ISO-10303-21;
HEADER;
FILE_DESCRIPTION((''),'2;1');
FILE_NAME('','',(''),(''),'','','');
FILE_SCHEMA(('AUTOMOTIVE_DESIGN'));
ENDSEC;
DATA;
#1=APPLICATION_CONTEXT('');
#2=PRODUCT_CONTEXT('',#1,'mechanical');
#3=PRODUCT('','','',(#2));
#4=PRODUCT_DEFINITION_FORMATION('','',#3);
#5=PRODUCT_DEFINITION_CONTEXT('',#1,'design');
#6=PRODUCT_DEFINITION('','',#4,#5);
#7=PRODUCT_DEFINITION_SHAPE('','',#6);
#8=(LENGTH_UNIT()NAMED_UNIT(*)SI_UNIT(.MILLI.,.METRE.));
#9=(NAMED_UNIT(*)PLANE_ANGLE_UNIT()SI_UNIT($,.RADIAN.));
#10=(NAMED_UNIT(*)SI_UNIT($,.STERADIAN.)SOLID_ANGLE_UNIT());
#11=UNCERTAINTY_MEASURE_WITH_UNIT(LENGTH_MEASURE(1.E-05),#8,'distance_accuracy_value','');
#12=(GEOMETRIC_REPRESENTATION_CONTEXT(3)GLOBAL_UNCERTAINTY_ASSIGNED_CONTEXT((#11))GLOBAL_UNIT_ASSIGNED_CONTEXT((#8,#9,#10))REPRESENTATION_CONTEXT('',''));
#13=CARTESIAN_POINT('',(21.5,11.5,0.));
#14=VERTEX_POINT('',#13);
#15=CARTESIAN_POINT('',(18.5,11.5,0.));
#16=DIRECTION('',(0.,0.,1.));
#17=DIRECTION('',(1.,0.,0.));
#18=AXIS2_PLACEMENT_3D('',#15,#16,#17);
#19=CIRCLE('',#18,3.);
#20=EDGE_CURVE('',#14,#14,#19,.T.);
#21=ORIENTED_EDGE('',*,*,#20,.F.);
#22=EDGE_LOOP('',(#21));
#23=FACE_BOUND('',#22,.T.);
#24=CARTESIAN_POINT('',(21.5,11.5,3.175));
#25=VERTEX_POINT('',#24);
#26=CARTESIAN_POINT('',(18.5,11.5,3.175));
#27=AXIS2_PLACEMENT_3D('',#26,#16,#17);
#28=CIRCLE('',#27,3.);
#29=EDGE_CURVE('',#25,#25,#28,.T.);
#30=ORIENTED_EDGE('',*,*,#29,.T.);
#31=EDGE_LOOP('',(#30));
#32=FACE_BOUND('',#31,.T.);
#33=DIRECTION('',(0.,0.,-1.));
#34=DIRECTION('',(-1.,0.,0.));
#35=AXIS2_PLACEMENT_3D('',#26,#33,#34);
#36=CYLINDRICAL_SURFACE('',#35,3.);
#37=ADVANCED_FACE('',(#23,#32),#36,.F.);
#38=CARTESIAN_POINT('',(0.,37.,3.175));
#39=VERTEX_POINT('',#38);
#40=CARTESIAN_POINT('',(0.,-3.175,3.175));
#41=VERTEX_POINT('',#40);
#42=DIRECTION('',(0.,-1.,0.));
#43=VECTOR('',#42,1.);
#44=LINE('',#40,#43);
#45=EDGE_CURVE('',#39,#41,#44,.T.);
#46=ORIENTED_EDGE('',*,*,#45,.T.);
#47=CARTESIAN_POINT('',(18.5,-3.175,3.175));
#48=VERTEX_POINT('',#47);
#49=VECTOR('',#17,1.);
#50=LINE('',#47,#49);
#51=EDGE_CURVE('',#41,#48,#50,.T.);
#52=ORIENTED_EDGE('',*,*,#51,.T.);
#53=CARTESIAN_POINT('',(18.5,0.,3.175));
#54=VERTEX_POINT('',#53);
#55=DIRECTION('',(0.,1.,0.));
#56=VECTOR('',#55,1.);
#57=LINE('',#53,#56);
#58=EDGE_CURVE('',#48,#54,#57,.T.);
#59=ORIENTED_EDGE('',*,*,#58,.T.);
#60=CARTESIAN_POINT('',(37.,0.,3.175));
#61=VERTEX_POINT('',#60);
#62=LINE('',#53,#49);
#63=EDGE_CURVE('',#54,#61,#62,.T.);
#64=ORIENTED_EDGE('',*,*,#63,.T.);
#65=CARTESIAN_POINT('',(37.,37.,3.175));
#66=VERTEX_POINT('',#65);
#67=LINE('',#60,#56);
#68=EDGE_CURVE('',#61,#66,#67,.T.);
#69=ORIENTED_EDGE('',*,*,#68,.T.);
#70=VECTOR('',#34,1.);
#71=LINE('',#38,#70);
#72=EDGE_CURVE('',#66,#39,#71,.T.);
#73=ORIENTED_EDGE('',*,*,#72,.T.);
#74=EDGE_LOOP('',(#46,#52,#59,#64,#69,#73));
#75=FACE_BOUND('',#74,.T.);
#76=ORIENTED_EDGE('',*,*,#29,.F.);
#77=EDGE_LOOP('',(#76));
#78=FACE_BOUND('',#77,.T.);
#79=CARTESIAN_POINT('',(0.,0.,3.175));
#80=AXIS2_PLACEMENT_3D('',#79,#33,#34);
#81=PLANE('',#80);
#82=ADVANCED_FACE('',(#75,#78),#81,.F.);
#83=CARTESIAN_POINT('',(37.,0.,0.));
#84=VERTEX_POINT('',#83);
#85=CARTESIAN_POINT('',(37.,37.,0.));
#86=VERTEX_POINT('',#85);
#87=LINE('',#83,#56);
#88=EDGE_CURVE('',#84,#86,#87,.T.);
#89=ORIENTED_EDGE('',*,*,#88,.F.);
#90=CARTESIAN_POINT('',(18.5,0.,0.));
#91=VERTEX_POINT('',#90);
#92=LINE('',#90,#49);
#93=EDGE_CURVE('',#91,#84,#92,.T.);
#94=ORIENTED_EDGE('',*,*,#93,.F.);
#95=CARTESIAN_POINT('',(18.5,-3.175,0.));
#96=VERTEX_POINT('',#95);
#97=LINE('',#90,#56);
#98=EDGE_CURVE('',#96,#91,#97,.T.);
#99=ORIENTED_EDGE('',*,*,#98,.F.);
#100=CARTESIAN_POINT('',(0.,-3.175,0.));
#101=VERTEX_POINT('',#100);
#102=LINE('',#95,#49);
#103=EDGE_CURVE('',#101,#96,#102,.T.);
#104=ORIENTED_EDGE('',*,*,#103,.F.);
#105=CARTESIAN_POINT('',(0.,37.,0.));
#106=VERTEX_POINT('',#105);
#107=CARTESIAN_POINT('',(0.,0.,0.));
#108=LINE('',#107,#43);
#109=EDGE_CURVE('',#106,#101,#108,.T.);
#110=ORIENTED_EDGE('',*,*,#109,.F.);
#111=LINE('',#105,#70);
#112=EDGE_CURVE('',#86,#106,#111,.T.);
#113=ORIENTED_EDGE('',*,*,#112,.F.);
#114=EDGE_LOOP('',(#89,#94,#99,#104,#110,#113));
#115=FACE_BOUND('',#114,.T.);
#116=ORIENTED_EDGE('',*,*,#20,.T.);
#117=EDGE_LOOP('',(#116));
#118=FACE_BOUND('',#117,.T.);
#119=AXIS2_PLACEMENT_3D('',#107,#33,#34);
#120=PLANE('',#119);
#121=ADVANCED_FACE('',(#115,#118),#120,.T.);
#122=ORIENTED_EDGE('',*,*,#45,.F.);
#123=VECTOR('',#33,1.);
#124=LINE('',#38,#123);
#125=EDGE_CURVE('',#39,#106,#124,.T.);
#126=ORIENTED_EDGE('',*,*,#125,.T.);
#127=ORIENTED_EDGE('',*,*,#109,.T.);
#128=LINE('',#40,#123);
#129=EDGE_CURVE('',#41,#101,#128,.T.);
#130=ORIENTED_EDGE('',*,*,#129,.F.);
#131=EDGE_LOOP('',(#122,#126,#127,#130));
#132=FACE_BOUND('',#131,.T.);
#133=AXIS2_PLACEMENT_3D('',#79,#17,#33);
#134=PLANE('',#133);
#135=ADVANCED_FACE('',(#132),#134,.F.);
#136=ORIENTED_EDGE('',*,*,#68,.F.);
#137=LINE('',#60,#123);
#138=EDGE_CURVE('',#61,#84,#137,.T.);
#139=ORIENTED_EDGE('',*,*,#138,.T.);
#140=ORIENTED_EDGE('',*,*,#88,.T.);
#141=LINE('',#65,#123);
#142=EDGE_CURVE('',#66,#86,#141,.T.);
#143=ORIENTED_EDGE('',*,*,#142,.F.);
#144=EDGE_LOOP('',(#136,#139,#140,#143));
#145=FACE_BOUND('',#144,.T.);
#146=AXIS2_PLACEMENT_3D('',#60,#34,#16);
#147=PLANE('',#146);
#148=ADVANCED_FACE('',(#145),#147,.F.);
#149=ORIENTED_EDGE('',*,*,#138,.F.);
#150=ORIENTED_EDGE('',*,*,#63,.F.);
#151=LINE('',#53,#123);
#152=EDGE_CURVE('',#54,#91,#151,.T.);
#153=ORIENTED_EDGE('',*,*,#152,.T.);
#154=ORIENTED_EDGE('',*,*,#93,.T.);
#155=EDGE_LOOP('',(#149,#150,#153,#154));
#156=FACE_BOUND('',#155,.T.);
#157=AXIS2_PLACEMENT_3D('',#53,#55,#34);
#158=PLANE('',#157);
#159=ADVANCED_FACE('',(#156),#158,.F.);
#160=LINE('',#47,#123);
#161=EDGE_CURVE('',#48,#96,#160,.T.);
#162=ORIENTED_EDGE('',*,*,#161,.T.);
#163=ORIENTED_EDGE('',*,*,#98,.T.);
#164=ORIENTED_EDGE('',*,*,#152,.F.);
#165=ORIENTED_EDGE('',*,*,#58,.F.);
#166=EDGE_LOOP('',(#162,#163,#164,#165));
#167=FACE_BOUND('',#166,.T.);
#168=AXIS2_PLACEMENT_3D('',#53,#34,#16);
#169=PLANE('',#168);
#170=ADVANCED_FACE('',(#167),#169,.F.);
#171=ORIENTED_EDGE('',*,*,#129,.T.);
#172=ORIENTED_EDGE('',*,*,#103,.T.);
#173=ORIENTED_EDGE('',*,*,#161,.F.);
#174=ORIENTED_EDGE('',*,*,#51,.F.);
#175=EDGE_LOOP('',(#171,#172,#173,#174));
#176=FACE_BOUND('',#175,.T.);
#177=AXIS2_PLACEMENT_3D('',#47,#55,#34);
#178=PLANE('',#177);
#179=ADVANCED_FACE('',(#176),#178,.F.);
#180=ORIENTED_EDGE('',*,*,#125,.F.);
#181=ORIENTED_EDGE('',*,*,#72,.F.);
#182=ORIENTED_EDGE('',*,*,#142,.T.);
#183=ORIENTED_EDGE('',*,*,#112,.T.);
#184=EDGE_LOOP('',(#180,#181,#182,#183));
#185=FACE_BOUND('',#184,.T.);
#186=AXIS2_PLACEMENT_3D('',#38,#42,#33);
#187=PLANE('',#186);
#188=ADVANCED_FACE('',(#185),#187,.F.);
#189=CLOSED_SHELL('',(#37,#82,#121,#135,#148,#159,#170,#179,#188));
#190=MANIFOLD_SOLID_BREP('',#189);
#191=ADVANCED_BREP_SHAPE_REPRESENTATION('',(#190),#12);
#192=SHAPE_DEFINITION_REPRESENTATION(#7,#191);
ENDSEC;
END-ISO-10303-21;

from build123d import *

# Parameters (mm, degrees)
SKETCH1_R           = 3
BOSS_EXTRUDE1_DEPTH = 3.175


with BuildPart() as part:
    # Sketch1 → Boss-Extrude1 (new body)
    with BuildSketch(Plane.XY):
        Polygon((18.5, 0), (18.5, -3.175), (0, -3.175), (0, 0), (0, 37), (37, 37), (37, 0), align=None)
        with Locations((18.5, 11.5)):
            Circle(SKETCH1_R, mode=Mode.SUBTRACT)
    extrude(amount=BOSS_EXTRUDE1_DEPTH)


solid = part.part
